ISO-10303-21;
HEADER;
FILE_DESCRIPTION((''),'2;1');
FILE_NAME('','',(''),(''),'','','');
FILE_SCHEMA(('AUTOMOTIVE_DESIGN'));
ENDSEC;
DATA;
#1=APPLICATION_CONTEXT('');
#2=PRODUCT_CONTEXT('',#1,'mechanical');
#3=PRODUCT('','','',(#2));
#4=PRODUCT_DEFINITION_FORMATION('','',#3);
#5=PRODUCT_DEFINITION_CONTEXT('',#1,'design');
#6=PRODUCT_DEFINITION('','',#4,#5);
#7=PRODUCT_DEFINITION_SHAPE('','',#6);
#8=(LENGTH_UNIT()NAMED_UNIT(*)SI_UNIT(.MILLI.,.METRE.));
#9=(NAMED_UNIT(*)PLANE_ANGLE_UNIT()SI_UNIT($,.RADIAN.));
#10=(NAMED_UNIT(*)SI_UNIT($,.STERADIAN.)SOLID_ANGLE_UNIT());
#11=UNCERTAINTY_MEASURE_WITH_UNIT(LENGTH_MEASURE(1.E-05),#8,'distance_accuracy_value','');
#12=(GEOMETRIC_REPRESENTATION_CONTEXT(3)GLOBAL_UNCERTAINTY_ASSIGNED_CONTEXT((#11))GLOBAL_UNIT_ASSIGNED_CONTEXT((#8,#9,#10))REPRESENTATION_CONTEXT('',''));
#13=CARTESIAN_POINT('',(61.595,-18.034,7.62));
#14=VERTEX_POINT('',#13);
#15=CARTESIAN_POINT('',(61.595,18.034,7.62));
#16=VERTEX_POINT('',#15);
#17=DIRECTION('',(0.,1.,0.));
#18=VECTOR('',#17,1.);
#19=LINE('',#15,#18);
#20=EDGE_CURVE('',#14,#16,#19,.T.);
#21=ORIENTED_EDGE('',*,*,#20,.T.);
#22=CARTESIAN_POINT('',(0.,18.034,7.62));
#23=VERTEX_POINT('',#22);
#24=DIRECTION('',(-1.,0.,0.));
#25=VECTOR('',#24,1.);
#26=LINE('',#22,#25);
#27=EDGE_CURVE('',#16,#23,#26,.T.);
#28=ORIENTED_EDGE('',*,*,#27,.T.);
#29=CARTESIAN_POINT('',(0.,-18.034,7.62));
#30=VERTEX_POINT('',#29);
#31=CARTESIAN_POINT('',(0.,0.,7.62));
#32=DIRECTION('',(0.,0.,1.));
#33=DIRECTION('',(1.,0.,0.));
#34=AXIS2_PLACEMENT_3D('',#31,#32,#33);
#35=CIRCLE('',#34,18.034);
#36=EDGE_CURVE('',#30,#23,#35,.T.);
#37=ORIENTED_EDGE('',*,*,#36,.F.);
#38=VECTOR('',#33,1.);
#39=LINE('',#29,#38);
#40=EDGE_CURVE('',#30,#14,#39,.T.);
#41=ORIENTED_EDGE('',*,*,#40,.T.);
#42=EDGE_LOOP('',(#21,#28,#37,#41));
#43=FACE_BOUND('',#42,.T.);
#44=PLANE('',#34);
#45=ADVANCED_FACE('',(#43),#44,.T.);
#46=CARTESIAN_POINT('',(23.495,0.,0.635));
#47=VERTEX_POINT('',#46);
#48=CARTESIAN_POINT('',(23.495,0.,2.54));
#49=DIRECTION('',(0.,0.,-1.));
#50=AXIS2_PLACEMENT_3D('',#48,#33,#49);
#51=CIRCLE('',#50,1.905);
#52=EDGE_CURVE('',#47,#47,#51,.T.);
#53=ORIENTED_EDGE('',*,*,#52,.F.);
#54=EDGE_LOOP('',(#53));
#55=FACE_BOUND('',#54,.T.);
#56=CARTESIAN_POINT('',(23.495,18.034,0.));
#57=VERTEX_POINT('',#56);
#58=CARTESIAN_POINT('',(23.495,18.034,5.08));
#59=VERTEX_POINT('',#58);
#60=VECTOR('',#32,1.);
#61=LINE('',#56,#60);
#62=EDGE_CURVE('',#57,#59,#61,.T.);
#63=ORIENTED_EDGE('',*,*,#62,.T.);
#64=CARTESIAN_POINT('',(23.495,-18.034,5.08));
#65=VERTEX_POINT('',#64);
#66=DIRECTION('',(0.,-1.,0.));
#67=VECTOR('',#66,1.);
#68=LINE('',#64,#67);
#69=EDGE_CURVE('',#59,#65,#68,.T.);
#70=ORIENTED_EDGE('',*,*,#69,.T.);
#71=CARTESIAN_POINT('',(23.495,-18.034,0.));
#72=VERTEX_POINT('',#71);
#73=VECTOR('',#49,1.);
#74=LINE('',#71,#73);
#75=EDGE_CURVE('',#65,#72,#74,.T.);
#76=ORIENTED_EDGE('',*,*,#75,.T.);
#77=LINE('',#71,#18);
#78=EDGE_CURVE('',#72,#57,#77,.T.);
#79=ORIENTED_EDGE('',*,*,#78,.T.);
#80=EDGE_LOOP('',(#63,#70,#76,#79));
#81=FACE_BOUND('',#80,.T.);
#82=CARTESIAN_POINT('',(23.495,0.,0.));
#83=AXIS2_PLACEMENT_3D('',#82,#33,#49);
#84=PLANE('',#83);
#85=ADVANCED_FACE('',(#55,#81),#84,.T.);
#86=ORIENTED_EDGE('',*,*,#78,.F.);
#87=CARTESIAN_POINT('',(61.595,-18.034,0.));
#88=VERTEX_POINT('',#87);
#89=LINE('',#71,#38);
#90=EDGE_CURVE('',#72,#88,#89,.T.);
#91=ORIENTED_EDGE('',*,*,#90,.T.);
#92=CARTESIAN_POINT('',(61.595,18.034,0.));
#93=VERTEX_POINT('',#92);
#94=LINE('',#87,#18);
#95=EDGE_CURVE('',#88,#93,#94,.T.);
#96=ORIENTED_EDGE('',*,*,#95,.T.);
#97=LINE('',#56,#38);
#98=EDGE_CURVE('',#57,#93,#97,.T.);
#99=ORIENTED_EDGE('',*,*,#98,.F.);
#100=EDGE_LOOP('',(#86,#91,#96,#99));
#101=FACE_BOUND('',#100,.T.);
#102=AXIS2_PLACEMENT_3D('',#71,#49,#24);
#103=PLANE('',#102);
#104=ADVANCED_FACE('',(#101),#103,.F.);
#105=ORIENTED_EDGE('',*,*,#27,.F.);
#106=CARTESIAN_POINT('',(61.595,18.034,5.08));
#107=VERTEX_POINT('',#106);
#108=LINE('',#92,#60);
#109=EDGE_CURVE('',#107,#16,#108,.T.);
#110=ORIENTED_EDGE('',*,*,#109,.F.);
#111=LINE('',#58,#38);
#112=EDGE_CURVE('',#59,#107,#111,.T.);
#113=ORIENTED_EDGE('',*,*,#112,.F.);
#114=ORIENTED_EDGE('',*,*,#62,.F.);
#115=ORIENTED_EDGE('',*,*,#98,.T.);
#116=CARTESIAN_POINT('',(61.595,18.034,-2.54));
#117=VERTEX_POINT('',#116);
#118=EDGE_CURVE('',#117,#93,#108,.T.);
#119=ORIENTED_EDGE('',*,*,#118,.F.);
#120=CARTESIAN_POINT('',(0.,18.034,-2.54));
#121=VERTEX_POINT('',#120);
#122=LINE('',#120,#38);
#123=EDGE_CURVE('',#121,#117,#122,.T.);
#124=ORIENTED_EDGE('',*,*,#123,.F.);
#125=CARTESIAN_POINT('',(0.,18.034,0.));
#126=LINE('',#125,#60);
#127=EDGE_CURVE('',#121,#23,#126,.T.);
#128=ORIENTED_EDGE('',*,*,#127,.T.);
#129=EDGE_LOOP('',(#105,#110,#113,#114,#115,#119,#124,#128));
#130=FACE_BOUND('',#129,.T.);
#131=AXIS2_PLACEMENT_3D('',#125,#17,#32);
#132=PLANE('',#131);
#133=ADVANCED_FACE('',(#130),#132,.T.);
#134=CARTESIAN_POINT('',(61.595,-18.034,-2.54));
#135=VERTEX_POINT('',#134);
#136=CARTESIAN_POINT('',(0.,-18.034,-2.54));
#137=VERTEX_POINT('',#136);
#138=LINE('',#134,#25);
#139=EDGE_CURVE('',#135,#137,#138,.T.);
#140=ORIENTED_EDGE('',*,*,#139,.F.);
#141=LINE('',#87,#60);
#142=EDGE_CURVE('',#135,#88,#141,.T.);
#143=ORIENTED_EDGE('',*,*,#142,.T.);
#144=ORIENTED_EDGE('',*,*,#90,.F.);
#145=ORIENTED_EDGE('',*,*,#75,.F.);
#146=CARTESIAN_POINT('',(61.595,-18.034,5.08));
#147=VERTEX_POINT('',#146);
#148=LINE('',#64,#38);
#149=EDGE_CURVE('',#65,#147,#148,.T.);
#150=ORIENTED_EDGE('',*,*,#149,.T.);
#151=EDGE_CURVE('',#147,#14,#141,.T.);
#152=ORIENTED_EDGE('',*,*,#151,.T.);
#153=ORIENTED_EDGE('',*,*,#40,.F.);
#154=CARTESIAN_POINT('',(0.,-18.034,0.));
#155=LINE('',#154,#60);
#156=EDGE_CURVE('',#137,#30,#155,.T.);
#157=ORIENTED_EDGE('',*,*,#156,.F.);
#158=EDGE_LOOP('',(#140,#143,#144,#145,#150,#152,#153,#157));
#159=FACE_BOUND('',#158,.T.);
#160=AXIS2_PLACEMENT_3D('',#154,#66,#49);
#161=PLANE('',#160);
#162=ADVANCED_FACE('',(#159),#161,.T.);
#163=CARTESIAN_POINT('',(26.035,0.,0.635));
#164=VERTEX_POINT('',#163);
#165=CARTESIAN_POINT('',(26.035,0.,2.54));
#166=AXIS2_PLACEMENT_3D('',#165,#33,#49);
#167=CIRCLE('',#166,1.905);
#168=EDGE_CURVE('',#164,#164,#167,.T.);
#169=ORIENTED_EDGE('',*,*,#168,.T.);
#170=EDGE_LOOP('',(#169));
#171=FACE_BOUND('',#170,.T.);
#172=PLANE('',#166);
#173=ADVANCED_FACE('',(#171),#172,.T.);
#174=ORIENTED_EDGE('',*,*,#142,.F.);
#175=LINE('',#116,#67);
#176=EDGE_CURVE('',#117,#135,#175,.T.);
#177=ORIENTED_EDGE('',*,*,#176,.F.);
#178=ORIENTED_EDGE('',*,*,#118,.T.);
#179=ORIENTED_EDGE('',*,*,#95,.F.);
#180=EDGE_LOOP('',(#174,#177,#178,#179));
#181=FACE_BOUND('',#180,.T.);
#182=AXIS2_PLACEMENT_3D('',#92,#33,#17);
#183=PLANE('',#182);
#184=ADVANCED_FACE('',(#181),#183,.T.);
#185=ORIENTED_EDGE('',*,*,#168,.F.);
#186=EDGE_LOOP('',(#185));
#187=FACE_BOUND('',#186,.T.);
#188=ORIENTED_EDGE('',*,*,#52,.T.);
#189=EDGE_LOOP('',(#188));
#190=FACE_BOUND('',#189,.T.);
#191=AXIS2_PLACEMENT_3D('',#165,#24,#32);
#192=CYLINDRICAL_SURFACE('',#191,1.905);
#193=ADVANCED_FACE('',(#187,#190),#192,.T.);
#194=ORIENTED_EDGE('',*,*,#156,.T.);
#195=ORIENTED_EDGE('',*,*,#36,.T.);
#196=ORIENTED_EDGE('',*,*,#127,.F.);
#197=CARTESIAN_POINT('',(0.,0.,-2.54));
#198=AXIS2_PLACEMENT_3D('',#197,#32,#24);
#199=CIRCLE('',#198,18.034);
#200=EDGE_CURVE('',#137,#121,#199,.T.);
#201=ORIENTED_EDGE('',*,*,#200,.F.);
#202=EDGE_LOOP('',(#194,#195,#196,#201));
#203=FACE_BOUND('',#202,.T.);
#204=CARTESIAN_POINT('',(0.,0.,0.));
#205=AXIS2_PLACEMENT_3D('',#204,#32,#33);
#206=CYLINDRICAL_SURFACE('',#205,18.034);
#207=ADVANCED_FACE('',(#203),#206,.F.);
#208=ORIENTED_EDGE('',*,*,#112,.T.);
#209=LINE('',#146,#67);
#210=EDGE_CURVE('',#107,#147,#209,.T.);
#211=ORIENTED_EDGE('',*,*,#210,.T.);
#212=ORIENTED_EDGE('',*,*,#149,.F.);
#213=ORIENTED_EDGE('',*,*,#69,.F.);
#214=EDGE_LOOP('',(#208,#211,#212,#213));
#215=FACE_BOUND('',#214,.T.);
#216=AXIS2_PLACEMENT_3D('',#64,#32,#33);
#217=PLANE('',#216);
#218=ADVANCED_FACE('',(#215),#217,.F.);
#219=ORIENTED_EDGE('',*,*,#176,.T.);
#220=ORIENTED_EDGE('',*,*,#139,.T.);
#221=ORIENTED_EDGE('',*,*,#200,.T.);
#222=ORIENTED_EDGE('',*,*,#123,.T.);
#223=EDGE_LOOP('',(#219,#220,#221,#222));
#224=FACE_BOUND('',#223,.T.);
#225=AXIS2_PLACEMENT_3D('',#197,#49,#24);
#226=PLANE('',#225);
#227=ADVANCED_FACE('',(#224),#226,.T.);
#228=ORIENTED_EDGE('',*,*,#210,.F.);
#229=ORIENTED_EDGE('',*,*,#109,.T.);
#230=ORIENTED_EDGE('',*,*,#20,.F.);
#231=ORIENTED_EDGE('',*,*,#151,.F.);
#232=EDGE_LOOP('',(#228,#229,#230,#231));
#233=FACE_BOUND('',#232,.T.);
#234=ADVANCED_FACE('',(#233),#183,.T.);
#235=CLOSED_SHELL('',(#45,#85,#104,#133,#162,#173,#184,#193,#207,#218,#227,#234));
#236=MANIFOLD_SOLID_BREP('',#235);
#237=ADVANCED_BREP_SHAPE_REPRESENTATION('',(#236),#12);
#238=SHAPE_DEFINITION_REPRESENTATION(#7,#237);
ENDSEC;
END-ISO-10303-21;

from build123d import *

# Parameters (mm, degrees)
SKETCH1_R               = 19.939
CIRCLE_EXTRUDE_DEPTH    = 7.62
SKETCH3_W               = 7.62
SKETCH3_H               = 39.878
RECTANGLE_EXTRUDE_DEPTH = 63.5
SKETCH2_R               = 18.034
CRICLE_CUT_DEPTH        = 67.991627245
SKETCH4_OUTSIDE_W       = 103.997
SKETCH4_OUTSIDE_H       = 60.436
SKETCH4_OUTSIDE_W_2     = 61.595
SKETCH4_OUTSIDE_H_2     = 36.068
FRAME_CUT_DEPTH         = 67.991627245
EXTENSION_DEPTH         = 2.54
SKETCH13_W              = 5.08
SKETCH13_H              = 36.068
CUT_EXTRUDE1_DEPTH      = 38.1
SKETCH14_R              = 1.905
BOSS_EXTRUDE3_DEPTH     = 2.54


with BuildPart() as part:
    # Sketch1 → circle extrude (new body)
    with BuildSketch(Plane.XY):
        with Locations(Location((0, 0, 0), (0, 0, 180))):
            Circle(SKETCH1_R)
    extrude(amount=CIRCLE_EXTRUDE_DEPTH)

    # Sketch3 → rectangle extrude (add)
    with BuildSketch(Plane(origin=(0, 0, 0), x_dir=(0, 0, -1), z_dir=(1, 0, 0))):
        with Locations((-3.81, 0)):
            Rectangle(SKETCH3_W, SKETCH3_H)
    extrude(amount=RECTANGLE_EXTRUDE_DEPTH)

    # Sketch2 → cricle cut (cut, through all)
    with BuildSketch(Plane.XY.offset(7.62)):
        Circle(SKETCH2_R)
    extrude(amount=-CRICLE_CUT_DEPTH, mode=Mode.SUBTRACT)

    # Sketch4 outside → frame cut (cut, through all)
    with BuildSketch(Plane.XY.offset(7.62)):
        with Locations((21.7805, 0)):
            Rectangle(SKETCH4_OUTSIDE_W, SKETCH4_OUTSIDE_H)
        with Locations((30.7975, 0)):
            Rectangle(SKETCH4_OUTSIDE_W_2, SKETCH4_OUTSIDE_H_2, mode=Mode.SUBTRACT)
    extrude(amount=-FRAME_CUT_DEPTH, mode=Mode.SUBTRACT)

    # Sketch10 → extension (add)
    with BuildSketch(Plane(origin=(0, 0, 0), x_dir=(-1, 0, 0), z_dir=(0, 0, -1))):
        with BuildLine():
            Line((0, 18.034), (-61.595, 18.034))
            Line((-61.595, 18.034), (-61.595, -18.034))
            Line((-61.595, -18.034), (0, -18.034))
            ThreePointArc((0, -18.034), (-18.034, 0), (0, 18.034))
        make_face()
    extrude(amount=EXTENSION_DEPTH)

    # Sketch13 → Cut-Extrude1 (cut)
    with BuildSketch(Plane(origin=(61.595, 0, 0), x_dir=(0, 0, -1), z_dir=(1, 0, 0))):
        with Locations((-2.54, 0)):
            Rectangle(SKETCH13_W, SKETCH13_H)
    extrude(amount=-CUT_EXTRUDE1_DEPTH, mode=Mode.SUBTRACT)

    # Sketch14 → Boss-Extrude3 (add)
    with BuildSketch(Plane(origin=(23.495, 0, 0), x_dir=(0, 0, -1), z_dir=(1, 0, 0))):
        with Locations((-2.54, 0)):
            Circle(SKETCH14_R)
    extrude(amount=BOSS_EXTRUDE3_DEPTH)


solid = part.part
